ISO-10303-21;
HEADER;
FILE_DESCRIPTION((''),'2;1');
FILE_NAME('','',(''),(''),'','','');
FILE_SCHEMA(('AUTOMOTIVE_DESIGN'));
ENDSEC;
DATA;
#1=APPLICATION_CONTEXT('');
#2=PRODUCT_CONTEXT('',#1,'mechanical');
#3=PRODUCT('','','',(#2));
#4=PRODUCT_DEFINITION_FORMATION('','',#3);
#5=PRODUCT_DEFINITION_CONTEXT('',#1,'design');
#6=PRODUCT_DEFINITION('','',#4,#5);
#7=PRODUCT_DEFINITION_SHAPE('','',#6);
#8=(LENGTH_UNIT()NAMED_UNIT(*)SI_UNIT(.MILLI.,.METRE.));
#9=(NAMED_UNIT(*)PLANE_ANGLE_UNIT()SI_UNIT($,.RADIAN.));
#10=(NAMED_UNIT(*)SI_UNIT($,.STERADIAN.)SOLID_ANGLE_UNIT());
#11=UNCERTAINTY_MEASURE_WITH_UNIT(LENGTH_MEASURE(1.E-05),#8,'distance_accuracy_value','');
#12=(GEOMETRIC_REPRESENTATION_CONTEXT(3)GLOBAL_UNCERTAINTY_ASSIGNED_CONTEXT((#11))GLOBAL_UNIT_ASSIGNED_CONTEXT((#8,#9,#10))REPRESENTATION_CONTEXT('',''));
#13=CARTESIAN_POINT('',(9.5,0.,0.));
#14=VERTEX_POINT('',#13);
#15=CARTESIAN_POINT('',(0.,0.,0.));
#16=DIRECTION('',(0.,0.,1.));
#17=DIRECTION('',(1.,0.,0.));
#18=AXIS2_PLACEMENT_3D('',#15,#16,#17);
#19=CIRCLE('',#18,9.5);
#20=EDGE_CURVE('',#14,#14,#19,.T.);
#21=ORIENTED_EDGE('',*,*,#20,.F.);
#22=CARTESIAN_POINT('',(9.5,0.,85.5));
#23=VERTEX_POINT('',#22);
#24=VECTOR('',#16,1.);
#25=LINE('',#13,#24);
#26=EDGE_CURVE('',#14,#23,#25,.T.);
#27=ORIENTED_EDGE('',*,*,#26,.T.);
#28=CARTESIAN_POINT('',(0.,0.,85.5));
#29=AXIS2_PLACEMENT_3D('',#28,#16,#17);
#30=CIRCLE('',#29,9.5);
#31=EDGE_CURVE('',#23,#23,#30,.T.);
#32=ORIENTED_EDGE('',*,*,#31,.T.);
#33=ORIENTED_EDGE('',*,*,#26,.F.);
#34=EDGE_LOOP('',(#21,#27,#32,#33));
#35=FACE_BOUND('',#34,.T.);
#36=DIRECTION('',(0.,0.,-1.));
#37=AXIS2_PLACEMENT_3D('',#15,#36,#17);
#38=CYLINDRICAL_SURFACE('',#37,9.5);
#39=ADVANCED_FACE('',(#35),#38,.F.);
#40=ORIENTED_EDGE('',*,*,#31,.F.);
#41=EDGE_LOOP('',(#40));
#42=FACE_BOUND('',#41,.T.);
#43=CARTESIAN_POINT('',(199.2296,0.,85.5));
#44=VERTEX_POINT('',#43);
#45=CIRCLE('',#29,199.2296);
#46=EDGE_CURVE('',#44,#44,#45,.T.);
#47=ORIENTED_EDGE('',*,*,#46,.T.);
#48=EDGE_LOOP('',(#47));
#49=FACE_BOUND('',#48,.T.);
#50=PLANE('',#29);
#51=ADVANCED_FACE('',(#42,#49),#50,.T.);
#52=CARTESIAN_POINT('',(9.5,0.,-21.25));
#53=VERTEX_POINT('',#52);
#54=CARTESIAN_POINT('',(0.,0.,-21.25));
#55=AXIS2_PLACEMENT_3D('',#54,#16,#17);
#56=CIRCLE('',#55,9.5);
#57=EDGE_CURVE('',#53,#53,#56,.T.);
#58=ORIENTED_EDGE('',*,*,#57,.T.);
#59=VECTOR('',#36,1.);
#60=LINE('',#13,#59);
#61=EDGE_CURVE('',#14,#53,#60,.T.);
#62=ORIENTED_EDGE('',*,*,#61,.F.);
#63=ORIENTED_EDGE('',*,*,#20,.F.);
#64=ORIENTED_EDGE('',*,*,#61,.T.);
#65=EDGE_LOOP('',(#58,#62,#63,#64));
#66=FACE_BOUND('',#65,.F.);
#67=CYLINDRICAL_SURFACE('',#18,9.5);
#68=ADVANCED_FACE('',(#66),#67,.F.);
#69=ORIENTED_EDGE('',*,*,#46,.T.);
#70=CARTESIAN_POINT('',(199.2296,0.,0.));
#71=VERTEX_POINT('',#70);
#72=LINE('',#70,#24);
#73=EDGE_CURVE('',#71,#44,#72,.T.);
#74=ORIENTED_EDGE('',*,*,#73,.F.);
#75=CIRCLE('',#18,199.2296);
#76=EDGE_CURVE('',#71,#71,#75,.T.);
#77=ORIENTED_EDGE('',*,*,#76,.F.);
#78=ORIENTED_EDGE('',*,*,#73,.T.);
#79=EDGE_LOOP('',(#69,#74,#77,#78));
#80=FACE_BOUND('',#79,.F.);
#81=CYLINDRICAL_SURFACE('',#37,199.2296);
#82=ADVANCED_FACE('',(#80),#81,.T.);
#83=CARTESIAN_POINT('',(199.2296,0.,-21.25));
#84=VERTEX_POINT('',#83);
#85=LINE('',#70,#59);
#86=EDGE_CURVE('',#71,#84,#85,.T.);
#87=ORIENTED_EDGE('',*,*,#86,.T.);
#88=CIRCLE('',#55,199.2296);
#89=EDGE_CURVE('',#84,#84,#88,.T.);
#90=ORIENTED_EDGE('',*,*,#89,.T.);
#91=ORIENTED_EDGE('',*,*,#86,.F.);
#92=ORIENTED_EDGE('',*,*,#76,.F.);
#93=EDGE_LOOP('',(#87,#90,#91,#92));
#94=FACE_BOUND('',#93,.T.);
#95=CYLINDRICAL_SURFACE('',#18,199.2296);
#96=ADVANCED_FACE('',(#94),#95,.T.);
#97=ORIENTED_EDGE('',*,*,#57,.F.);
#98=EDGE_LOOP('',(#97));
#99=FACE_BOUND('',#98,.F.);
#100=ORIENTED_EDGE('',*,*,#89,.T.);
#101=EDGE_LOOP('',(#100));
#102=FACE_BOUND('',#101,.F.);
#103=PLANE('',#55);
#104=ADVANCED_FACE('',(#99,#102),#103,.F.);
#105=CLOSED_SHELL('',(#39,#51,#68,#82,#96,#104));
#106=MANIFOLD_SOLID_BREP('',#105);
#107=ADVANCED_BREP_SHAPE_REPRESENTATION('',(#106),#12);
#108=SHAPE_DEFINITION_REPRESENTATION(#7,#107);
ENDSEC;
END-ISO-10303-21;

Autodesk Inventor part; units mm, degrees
ref_plane "YZ Plane" through (0, 0, 0) normal (1, 0, 0) x (0, 1, 0)
ref_plane "XZ Plane" through (0, 0, 0) normal (0, 1, 0) x (-1, 0, 0)
ref_plane "XY Plane" through (0, 0, 0) normal (0, 0, 1) x (1, 0, 0)
ref_plane "РабПлоскость1" through (0, 0, 0) normal (0, 0, 1) x (1, 0, 0)
sketch "Эскиз1" plane through (0, 0, 0) normal (0, 0, 1) x (1, 0, 0)
  circle A0 centre (0, 0) radius 9.5 projected
  circle A1 centre (0, 0) radius 199.2296
  point P0 (0, 0)
extrude "Выдавливание1" add sketch "Эскиз1" along normal blind 85.5 and the other way blind 21.25
properties part number "Рабочая область" material "Стекло"
